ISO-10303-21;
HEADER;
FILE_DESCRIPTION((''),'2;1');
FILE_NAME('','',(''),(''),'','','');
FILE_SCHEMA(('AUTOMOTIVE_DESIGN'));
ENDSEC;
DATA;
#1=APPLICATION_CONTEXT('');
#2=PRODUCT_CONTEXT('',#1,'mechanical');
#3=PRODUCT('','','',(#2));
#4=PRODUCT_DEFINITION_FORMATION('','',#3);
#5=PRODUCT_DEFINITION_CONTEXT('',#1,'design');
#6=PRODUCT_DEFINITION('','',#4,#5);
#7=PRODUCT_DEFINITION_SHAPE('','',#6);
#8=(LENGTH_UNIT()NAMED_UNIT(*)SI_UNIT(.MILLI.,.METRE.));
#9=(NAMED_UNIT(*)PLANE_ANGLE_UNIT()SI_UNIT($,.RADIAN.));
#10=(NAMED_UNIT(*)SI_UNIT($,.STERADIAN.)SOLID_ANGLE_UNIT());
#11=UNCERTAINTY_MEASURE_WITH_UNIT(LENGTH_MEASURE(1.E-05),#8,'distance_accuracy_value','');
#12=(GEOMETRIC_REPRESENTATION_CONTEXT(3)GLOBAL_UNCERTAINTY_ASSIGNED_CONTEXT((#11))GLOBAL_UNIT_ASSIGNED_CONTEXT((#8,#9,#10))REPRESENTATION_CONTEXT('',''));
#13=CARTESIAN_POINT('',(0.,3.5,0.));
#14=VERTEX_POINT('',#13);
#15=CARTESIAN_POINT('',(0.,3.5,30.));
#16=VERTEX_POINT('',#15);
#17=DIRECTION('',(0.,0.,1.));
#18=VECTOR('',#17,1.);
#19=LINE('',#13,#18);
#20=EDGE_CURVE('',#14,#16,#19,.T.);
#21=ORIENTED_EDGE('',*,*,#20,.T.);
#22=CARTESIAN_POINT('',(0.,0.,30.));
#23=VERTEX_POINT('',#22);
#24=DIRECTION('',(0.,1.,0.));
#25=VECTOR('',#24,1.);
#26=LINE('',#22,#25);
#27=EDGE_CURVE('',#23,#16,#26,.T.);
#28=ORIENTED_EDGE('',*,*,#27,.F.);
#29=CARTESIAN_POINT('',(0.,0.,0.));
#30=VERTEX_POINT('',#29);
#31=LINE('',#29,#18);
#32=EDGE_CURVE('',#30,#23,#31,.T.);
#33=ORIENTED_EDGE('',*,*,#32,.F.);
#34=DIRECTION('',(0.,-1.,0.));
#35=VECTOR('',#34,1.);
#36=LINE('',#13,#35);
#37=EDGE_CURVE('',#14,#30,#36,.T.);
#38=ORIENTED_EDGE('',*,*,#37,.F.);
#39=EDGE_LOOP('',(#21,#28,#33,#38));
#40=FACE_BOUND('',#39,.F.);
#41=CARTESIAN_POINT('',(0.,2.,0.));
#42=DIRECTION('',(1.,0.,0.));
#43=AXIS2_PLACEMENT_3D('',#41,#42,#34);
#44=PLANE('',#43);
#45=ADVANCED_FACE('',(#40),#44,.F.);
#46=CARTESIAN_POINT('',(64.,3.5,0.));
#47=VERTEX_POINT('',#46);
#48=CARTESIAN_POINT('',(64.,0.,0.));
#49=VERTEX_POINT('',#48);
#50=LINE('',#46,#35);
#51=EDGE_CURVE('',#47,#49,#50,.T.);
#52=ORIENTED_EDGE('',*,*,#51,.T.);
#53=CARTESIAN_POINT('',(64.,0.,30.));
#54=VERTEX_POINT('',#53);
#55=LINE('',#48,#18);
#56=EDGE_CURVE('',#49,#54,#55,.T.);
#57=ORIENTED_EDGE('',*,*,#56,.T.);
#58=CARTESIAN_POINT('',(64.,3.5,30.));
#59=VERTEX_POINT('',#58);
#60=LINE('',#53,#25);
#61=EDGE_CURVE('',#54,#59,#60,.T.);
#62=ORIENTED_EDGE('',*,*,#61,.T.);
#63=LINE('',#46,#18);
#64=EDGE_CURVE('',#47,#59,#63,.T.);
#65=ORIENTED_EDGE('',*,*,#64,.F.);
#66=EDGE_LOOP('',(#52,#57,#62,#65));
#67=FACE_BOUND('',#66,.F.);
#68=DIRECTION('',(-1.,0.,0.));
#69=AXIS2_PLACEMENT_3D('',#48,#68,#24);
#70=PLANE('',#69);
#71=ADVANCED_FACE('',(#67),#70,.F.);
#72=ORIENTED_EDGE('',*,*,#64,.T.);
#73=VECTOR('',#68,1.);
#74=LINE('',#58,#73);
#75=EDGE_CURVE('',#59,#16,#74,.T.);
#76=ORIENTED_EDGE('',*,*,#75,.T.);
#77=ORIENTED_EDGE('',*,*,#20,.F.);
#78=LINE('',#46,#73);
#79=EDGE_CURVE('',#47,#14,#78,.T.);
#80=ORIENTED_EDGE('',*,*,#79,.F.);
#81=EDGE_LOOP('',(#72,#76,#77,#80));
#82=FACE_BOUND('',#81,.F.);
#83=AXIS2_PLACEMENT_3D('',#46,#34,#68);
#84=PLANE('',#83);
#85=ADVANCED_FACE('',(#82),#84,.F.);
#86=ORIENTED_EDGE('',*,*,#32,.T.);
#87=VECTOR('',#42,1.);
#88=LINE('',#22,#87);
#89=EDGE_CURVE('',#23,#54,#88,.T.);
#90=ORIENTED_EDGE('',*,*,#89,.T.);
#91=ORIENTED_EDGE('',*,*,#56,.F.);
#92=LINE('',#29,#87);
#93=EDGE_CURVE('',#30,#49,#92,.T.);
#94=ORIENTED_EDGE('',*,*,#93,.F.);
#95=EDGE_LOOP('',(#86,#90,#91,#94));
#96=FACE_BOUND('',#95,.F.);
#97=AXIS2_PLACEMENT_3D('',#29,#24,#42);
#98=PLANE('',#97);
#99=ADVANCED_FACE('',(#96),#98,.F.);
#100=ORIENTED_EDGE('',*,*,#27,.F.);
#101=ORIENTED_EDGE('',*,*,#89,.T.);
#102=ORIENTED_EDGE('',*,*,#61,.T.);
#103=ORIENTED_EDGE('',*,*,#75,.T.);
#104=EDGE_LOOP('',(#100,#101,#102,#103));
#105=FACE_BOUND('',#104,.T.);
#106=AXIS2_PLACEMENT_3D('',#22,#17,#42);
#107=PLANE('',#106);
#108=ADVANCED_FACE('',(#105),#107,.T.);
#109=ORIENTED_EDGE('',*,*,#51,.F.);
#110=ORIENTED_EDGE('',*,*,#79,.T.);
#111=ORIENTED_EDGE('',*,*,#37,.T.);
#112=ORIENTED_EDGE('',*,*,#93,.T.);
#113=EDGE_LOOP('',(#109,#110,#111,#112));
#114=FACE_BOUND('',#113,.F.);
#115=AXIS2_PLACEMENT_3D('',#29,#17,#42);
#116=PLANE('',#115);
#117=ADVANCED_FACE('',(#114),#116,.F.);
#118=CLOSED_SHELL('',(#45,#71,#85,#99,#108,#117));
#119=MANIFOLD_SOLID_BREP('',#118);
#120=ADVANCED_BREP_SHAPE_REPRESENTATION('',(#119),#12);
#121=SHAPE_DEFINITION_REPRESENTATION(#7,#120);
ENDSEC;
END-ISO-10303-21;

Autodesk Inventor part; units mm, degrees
ref_plane "YZ Plane" through (0, 0, 0) normal (1, 0, 0) x (0, 1, 0)
ref_plane "XZ Plane" through (0, 0, 0) normal (0, 1, 0) x (-1, 0, 0)
ref_plane "XY Plane" through (0, 0, 0) normal (0, 0, 1) x (1, 0, 0)
sketch "Sketch1" plane through (0, 0, 0) normal (0, 0, 1) x (1, 0, 0)
  line L0 (0, 0) -> (64, 0)
  line L1 (64, 0) -> (64, 2)
  line L2 (64, 2) -> (0, 2)
  line L3 (0, 2) -> (0, 0)
  line L4 (0, 2) -> (64, 2)
  line L5 (64, 2) -> (64, 3.5)
  line L6 (64, 3.5) -> (0, 3.5)
  line L7 (0, 3.5) -> (0, 2)
  dimension "d0" = 64
  dimension "d1" = 2
  dimension "d4" = 64
  dimension "d5" = 1.5
extrude "Extrusion1" add sketch "Sketch1" along normal blind 30 contours L3 L2 L1 L0
sketch "Sketch2" plane through (0, 2, 0) normal (0, 1, 0) x (1, 0, 0)
  point P0 (0, 0)
sketch "Sketch3" plane through (0, 0, 30) normal (0, 0, 1) x (1, 0, 0)
  point P0 (0, 0)
extrude "Extrusion2" add sketch "Sketch1" along normal blind 30 contours L7 L6 L5 L2
properties part number "shooter"
